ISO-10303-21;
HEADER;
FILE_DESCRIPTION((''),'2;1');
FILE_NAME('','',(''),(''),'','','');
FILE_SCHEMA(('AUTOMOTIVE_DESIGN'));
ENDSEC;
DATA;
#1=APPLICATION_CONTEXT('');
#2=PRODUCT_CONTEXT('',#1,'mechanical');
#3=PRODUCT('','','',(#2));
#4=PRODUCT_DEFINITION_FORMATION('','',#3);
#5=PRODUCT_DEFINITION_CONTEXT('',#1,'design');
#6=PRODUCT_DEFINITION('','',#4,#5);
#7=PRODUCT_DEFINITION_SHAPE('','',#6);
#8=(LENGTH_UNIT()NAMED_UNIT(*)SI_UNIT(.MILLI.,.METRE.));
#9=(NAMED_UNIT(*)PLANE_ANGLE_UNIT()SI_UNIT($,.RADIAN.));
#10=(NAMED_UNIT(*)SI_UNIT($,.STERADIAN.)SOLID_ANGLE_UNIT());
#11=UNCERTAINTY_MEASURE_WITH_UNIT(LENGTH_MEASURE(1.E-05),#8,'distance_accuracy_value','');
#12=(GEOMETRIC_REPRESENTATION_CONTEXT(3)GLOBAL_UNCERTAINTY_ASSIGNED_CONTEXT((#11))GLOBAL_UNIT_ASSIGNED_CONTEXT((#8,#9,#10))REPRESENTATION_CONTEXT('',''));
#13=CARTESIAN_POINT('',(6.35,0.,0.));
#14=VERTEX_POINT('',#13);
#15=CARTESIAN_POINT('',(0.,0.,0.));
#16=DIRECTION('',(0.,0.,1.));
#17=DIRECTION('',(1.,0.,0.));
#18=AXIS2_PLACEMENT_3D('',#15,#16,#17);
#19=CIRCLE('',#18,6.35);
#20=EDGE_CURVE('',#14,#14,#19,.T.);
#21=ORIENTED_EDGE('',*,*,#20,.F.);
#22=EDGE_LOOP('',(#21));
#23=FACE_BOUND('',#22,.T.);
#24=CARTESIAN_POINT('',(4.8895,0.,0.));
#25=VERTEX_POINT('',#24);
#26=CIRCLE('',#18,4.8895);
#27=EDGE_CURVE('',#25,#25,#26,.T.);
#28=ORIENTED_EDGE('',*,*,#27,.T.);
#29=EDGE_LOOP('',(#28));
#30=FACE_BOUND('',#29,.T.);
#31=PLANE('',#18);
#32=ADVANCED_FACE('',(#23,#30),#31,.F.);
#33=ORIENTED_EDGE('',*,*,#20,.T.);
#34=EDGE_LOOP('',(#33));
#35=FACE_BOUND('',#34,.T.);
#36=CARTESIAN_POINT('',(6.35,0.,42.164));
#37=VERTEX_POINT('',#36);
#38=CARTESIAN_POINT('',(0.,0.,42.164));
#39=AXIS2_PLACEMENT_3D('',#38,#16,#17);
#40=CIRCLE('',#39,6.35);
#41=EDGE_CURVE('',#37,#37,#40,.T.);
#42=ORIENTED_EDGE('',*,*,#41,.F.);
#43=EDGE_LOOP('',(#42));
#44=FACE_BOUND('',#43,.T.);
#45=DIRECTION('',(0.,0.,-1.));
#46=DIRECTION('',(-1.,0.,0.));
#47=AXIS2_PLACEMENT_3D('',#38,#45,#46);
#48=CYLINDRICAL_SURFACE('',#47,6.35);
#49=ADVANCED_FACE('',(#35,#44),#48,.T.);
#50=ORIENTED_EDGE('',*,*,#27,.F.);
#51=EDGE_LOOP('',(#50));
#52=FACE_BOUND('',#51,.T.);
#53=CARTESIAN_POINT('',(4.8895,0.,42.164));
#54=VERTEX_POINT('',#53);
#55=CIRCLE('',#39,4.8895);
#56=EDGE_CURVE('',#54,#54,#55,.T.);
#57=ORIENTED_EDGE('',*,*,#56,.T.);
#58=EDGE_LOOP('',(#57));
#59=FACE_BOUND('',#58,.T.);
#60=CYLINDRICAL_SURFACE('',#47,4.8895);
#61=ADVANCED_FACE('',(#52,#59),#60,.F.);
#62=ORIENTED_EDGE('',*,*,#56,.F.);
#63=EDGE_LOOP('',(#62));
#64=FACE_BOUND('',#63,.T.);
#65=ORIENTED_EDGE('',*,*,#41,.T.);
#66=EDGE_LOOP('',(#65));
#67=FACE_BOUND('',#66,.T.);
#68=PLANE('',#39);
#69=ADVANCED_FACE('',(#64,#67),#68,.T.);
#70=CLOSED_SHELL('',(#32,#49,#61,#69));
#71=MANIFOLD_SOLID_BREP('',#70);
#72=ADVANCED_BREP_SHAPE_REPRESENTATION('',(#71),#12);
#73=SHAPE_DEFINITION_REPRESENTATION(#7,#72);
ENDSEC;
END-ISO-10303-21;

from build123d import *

# Parameters (mm, degrees)
SKETCH1_R           = 6.35
SKETCH1_R_2         = 4.8895
BOSS_EXTRUDE1_DEPTH = 42.164


with BuildPart() as part:
    # Sketch1 → Boss-Extrude1 (new body)
    with BuildSketch(Plane.XY):
        Circle(SKETCH1_R)
        Circle(SKETCH1_R_2, mode=Mode.SUBTRACT)
    extrude(amount=BOSS_EXTRUDE1_DEPTH)


solid = part.part
